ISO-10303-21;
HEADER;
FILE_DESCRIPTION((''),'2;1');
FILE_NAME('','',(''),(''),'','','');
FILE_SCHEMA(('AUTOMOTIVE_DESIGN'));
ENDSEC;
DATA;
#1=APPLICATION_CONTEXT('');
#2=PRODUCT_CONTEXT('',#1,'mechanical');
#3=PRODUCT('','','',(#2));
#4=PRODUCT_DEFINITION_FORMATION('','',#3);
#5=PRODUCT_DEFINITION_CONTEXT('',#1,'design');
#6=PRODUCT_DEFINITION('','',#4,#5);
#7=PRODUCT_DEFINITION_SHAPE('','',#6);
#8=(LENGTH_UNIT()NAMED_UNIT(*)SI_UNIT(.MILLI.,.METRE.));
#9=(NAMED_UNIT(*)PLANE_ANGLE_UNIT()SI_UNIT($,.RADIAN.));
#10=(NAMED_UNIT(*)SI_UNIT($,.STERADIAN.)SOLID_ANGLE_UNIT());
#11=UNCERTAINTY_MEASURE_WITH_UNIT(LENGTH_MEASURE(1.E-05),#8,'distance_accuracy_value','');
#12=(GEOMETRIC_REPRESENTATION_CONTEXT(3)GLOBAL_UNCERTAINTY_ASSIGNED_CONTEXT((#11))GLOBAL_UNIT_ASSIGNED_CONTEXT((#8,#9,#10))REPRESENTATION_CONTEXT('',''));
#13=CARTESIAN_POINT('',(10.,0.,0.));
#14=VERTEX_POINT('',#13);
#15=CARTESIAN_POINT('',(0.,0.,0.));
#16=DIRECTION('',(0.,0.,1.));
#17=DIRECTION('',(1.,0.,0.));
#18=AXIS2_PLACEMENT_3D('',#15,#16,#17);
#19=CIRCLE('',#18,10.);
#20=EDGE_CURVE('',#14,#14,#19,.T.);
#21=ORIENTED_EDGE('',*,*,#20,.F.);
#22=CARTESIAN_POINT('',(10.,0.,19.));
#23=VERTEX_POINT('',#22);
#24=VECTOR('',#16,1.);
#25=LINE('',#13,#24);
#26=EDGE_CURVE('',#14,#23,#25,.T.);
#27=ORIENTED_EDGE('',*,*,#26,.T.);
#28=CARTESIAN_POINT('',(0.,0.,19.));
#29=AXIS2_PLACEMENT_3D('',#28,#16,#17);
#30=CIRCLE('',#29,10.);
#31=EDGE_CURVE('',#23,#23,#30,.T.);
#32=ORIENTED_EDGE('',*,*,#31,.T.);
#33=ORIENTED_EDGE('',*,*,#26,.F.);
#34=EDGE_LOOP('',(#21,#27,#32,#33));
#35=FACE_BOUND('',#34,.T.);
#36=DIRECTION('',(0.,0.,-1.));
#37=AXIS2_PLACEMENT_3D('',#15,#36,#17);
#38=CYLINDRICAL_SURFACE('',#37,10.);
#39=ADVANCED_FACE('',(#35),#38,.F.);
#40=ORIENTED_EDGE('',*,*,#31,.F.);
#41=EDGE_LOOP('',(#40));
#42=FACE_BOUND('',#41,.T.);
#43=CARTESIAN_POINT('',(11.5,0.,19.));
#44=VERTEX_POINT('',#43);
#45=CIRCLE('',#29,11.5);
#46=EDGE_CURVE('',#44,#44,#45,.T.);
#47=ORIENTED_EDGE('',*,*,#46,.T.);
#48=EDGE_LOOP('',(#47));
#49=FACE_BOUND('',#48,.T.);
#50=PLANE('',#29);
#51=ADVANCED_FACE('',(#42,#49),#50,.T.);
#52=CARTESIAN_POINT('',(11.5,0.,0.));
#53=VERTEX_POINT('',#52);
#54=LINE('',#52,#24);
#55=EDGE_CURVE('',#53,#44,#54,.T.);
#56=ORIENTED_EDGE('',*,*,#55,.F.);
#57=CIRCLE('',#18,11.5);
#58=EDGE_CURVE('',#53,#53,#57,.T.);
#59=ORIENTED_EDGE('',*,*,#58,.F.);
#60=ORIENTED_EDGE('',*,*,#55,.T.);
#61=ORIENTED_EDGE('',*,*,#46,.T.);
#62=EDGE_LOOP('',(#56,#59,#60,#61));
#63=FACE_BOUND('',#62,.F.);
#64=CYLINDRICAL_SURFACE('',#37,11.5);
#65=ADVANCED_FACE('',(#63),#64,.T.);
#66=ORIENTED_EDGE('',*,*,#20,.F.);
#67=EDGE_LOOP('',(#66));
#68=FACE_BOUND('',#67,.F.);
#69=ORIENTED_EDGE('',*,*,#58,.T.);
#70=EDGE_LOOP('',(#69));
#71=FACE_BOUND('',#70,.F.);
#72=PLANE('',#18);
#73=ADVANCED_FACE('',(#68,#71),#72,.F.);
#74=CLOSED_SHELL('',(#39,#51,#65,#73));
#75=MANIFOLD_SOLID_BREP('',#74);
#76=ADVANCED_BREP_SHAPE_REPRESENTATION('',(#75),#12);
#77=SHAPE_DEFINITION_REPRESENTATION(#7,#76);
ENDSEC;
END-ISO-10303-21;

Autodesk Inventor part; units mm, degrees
ref_plane "YZ Plane" through (0, 0, 0) normal (1, 0, 0) x (0, 1, 0)
ref_plane "XZ Plane" through (0, 0, 0) normal (0, 1, 0) x (-1, 0, 0)
ref_plane "XY Plane" through (0, 0, 0) normal (0, 0, 1) x (1, 0, 0)
sketch "スケッチ1" plane through (0, 0, 0) normal (0, 0, 1) x (1, 0, 0)
  circle A0 centre (0, 0) radius 10
  circle A1 centre (0, 0) radius 11.5
  dimension "d1" = 20
  dimension "d2" = 23
extrude "押し出し1" add sketch "スケッチ1" along normal blind 19
properties part number "オイレス　内径20 L=19" material "アセタール樹脂、黒"
